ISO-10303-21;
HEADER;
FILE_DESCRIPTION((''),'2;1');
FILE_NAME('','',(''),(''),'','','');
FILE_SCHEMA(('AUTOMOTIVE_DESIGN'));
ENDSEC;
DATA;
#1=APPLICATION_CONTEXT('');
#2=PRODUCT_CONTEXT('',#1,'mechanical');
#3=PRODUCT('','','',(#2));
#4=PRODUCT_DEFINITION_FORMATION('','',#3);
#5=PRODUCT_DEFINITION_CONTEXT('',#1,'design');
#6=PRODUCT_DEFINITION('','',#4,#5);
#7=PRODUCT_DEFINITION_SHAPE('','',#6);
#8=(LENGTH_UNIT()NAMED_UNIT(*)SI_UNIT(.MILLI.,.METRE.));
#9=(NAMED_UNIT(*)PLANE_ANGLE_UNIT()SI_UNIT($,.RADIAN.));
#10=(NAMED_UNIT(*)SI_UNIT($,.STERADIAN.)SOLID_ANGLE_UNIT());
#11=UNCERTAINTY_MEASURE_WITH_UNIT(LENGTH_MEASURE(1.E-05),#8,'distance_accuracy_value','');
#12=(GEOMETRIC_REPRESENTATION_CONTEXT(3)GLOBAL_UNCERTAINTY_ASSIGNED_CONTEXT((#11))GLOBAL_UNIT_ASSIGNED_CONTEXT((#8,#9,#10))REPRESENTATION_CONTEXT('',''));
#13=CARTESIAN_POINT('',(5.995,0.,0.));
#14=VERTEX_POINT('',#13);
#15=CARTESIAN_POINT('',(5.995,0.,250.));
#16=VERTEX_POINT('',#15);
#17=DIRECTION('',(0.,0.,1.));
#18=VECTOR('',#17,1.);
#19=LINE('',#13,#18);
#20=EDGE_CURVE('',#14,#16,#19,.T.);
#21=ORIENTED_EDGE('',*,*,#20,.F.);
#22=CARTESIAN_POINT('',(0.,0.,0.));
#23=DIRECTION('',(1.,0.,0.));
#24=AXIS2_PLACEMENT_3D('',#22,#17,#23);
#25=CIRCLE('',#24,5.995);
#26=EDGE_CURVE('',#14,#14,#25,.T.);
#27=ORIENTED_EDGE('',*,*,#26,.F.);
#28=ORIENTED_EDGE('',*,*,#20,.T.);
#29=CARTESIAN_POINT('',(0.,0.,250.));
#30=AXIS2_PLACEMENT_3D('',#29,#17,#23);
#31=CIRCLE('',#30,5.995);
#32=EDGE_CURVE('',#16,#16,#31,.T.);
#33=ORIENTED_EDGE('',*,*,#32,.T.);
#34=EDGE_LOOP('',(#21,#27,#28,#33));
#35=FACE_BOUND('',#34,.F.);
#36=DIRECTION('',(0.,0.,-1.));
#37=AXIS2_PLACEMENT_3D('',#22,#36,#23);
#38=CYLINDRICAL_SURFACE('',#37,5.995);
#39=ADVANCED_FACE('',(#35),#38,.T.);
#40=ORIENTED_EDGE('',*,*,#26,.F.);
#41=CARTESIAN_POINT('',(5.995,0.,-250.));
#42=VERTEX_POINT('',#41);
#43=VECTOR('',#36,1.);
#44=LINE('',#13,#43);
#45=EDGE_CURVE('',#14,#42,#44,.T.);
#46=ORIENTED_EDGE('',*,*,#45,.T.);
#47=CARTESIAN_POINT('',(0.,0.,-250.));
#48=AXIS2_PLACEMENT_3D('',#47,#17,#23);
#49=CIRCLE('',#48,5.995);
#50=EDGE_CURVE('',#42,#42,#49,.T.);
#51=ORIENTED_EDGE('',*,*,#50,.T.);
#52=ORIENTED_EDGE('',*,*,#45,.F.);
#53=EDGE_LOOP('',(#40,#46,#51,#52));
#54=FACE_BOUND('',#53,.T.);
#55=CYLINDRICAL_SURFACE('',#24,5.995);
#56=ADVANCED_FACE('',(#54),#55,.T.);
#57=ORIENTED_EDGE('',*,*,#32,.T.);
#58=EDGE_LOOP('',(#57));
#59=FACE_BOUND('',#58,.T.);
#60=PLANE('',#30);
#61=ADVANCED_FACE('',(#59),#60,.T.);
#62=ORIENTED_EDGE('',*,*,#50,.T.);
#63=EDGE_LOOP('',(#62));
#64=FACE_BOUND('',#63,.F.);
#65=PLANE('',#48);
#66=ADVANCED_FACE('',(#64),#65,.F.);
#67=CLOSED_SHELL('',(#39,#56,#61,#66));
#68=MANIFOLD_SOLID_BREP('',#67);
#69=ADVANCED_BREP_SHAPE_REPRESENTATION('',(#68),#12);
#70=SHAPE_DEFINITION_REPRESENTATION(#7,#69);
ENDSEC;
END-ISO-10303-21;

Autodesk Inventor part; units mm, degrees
ref_plane "YZ Plane" through (0, 0, 0) normal (1, 0, 0) x (0, 1, 0)
ref_plane "XZ Plane" through (0, 0, 0) normal (0, 1, 0) x (-1, 0, 0)
ref_plane "XY Plane" through (0, 0, 0) normal (0, 0, 1) x (1, 0, 0)
sketch "Esboço1" plane through (0, 0, 0) normal (0, 0, 1) x (1, 0, 0)
  circle A0 centre (0, 0) radius 5.995
  dimension "d0" = 11.99
extrude "Extrusão1" add sketch "Esboço1" along normal mid plane 500
equation "\"Raio_vergadura\" = Espessura"
equation "\"Largura_alívio_de_vergadura\" = Espessura"
equation "\"Profundidade_alívio_de_vergadura\" = 0.5 * Espessura"
equation "\"Tamanho_alívio_de_dobra\" = 4 * Espessura"
equation "\"Remanescente_mínimo\" = 2 * Espessura"
equation "\"Raiodetransição\" = Raio_vergadura"
equation "\"Tamanho_de_raio_de_Jacobi\" = Espessura"
equation "\"TamanhoFolga\" = Espessura"
equation "\"Espessura\" = 0.5"
properties part number "guia_linear_12mm" material "Aço inoxidável"
